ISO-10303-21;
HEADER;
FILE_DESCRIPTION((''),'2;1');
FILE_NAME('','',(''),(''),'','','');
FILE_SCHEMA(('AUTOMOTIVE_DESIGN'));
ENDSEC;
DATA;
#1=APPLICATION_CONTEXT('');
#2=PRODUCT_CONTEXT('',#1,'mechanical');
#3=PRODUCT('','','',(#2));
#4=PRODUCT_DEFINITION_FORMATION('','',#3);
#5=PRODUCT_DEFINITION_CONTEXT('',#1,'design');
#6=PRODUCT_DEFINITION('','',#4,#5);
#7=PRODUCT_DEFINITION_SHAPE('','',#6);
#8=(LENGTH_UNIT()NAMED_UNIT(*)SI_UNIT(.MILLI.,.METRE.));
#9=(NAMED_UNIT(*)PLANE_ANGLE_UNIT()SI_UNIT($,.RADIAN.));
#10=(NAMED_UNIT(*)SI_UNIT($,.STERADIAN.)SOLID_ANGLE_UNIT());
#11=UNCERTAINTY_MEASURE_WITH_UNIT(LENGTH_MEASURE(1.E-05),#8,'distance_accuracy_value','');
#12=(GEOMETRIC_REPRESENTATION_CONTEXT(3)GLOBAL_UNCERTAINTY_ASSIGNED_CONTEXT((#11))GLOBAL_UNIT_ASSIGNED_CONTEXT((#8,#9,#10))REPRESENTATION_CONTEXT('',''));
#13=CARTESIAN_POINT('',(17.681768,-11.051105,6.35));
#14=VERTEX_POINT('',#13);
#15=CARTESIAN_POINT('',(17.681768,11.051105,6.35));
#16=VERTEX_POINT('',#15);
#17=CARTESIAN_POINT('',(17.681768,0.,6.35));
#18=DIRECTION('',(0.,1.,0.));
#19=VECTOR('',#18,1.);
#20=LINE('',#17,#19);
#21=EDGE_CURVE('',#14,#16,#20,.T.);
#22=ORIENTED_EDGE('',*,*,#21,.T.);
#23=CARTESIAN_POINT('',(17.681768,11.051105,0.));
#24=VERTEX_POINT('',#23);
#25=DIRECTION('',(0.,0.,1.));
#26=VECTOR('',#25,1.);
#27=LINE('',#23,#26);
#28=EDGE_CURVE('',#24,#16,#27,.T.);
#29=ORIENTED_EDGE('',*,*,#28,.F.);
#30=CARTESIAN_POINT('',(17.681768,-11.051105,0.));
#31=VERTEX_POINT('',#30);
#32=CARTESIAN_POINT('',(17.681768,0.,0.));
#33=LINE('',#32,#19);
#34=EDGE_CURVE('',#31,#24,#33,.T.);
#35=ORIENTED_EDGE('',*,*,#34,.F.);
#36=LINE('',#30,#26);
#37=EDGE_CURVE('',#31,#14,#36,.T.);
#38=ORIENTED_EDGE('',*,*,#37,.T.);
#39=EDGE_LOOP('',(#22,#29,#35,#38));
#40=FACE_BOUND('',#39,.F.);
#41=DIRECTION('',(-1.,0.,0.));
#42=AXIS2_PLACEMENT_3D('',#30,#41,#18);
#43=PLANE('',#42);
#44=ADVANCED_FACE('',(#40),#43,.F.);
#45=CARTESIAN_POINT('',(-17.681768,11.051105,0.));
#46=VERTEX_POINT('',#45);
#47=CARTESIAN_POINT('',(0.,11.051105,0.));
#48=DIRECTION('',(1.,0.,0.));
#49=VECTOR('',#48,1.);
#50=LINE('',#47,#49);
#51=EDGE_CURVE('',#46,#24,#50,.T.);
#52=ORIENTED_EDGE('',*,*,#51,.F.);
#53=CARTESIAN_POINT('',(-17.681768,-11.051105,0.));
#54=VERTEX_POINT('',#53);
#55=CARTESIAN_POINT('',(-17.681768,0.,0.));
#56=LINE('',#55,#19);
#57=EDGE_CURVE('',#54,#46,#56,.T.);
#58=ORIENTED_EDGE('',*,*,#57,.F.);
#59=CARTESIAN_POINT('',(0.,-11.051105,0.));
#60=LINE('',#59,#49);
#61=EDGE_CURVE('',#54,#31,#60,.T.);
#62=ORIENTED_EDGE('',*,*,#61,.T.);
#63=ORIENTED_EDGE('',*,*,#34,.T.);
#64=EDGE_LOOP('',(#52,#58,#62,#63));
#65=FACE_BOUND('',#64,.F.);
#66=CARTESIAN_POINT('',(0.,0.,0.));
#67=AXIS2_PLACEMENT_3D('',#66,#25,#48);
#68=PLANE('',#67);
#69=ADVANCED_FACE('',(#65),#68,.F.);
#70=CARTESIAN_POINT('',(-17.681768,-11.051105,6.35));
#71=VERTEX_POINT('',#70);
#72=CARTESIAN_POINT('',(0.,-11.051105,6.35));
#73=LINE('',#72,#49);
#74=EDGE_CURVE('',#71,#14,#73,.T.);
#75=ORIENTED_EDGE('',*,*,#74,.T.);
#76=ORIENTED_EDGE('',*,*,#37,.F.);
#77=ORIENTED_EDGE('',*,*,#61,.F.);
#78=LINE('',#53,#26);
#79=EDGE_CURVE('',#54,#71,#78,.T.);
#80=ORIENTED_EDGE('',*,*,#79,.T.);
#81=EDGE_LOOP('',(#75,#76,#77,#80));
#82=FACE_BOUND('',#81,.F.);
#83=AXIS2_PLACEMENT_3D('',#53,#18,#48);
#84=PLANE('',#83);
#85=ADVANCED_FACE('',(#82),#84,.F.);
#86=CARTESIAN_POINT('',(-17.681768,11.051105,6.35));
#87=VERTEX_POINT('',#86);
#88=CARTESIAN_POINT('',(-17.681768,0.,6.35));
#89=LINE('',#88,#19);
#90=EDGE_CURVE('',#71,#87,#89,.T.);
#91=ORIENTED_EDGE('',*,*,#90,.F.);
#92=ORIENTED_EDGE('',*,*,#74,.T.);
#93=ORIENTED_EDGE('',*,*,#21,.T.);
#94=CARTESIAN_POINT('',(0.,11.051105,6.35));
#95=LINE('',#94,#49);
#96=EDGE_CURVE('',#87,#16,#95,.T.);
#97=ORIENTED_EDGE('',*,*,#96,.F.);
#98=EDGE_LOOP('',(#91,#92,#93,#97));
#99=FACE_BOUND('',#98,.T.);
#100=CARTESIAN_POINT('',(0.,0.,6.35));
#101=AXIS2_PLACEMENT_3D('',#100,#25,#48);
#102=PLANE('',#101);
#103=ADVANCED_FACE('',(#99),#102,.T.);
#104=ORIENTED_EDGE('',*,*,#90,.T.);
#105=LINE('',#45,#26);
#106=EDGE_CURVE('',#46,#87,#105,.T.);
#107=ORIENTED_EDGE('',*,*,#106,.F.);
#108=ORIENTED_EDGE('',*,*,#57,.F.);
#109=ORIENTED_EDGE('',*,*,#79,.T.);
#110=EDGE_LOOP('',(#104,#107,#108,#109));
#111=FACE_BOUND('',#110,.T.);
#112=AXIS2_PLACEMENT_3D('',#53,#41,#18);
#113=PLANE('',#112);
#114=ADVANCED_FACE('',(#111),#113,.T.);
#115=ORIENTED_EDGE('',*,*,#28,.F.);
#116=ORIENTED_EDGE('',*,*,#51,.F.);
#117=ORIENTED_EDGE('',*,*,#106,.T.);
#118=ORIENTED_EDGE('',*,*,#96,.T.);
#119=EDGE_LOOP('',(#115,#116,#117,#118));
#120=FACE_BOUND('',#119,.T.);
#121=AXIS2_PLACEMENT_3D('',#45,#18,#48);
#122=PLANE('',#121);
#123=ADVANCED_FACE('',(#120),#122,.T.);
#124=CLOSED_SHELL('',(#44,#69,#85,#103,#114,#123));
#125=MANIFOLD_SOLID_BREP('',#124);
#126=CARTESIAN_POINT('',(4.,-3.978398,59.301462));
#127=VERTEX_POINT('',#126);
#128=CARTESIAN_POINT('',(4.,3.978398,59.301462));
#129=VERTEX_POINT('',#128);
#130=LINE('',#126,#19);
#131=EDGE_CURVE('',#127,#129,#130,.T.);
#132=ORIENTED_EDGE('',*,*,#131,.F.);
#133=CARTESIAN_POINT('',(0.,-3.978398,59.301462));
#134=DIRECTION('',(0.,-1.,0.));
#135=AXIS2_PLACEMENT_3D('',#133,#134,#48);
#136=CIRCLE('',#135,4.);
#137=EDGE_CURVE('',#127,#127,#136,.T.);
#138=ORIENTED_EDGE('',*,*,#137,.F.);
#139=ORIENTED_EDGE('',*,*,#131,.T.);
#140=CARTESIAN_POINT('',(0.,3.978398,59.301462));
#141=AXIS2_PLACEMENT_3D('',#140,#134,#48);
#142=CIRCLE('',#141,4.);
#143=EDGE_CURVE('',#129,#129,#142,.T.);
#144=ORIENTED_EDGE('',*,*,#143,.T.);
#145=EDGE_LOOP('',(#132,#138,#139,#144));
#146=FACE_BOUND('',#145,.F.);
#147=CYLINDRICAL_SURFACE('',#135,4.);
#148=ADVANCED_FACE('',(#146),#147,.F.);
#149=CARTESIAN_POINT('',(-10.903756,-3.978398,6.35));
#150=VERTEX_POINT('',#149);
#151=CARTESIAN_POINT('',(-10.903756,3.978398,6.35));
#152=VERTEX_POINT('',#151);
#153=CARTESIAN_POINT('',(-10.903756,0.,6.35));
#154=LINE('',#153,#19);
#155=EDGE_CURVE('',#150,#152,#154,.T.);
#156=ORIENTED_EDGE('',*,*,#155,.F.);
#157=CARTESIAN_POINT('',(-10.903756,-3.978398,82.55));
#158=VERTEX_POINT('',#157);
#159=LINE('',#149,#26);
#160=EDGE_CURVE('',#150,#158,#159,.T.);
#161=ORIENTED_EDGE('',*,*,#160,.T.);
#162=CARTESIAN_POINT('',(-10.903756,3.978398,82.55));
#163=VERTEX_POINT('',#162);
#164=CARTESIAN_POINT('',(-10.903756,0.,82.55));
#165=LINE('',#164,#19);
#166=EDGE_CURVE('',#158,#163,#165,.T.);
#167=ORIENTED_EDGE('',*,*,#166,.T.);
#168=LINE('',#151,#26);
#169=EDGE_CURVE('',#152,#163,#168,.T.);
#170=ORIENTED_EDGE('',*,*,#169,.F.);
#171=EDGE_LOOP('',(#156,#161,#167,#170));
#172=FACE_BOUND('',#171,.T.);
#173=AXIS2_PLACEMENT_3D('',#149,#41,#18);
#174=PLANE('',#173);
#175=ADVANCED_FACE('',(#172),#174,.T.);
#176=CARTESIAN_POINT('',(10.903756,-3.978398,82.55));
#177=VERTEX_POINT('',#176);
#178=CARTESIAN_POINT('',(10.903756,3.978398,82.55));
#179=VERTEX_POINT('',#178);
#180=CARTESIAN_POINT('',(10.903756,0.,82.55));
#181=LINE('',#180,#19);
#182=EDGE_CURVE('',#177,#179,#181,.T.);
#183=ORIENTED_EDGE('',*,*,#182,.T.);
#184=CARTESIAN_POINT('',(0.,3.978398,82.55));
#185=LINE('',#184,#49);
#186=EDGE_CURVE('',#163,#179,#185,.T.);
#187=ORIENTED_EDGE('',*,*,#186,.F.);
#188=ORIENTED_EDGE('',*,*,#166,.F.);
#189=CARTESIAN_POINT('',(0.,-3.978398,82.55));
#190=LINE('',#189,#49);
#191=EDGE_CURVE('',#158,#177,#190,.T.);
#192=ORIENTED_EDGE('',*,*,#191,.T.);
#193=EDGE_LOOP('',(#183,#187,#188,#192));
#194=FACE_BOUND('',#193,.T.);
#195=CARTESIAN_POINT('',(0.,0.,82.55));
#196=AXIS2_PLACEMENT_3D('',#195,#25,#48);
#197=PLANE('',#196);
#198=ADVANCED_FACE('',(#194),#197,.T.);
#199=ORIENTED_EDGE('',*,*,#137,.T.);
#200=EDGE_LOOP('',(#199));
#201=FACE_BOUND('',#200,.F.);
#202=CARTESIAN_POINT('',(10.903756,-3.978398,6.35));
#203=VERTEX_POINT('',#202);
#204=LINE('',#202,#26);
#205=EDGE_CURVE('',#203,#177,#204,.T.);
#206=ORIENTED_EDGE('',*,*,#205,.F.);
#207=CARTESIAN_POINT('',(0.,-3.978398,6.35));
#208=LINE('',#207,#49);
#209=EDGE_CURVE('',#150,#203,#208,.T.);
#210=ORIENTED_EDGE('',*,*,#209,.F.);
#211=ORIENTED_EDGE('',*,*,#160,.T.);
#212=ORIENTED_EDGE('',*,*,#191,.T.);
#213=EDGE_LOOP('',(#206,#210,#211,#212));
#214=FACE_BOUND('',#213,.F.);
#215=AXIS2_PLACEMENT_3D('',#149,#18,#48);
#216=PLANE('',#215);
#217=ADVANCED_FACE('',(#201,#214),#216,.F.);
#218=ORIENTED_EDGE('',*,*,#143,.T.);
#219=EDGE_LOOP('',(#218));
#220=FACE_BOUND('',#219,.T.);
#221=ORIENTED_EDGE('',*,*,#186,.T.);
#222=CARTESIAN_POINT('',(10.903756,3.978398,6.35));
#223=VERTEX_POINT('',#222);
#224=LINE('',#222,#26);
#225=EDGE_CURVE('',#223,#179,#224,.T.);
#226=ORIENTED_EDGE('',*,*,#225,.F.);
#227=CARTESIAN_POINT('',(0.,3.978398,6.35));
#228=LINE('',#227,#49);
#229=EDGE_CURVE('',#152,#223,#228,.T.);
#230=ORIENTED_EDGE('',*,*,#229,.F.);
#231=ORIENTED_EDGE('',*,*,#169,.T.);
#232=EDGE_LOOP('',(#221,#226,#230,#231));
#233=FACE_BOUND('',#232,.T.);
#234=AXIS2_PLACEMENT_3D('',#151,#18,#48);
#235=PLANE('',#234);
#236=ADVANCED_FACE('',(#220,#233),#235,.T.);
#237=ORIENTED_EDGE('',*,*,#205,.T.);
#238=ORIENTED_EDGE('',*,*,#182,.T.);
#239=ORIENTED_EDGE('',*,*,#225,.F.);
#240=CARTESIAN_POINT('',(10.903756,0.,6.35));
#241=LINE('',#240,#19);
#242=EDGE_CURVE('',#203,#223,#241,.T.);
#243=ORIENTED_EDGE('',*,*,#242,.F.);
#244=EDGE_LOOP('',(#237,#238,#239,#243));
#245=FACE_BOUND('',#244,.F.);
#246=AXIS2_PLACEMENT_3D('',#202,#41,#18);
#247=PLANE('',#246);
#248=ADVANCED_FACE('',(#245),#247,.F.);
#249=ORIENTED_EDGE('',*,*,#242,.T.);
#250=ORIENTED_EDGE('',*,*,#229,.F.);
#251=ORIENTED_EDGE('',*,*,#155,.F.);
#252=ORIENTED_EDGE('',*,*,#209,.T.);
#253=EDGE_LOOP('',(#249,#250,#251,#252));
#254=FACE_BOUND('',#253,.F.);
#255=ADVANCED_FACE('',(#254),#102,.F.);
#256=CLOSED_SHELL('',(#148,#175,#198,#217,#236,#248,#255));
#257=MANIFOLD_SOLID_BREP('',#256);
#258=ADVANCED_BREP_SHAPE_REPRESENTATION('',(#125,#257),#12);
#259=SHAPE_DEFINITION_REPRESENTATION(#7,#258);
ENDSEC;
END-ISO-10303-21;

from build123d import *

# Parameters (mm, degrees)
F0_W     = 35.363536
F0_H     = 22.10221
F1_DEPTH = 6.35
F2_W     = 21.807512
F2_H     = 7.956796
F3_DEPTH = 76.2
F4_R     = 4
F5_DEPTH = 15.030503


with BuildPart() as f1:
    # F0 (on Top) → F1 (new body)
    with BuildSketch(Plane.XY):
        Rectangle(F0_W, F0_H)
    extrude(amount=F1_DEPTH)


with BuildPart() as f3:
    # F2 (on face) → F3 (new body)
    with BuildSketch(Plane.XY.offset(6.35)):
        Rectangle(F2_W, F2_H)
    extrude(amount=F3_DEPTH)

    # F4 (on face) → F5 (cut, through all)
    with BuildSketch(Plane.XZ.offset(3.978398)):
        with Locations((0, 59.301462)):
            Circle(F4_R)
    extrude(amount=-F5_DEPTH, mode=Mode.SUBTRACT)


solid = Compound([f1.part, f3.part])
